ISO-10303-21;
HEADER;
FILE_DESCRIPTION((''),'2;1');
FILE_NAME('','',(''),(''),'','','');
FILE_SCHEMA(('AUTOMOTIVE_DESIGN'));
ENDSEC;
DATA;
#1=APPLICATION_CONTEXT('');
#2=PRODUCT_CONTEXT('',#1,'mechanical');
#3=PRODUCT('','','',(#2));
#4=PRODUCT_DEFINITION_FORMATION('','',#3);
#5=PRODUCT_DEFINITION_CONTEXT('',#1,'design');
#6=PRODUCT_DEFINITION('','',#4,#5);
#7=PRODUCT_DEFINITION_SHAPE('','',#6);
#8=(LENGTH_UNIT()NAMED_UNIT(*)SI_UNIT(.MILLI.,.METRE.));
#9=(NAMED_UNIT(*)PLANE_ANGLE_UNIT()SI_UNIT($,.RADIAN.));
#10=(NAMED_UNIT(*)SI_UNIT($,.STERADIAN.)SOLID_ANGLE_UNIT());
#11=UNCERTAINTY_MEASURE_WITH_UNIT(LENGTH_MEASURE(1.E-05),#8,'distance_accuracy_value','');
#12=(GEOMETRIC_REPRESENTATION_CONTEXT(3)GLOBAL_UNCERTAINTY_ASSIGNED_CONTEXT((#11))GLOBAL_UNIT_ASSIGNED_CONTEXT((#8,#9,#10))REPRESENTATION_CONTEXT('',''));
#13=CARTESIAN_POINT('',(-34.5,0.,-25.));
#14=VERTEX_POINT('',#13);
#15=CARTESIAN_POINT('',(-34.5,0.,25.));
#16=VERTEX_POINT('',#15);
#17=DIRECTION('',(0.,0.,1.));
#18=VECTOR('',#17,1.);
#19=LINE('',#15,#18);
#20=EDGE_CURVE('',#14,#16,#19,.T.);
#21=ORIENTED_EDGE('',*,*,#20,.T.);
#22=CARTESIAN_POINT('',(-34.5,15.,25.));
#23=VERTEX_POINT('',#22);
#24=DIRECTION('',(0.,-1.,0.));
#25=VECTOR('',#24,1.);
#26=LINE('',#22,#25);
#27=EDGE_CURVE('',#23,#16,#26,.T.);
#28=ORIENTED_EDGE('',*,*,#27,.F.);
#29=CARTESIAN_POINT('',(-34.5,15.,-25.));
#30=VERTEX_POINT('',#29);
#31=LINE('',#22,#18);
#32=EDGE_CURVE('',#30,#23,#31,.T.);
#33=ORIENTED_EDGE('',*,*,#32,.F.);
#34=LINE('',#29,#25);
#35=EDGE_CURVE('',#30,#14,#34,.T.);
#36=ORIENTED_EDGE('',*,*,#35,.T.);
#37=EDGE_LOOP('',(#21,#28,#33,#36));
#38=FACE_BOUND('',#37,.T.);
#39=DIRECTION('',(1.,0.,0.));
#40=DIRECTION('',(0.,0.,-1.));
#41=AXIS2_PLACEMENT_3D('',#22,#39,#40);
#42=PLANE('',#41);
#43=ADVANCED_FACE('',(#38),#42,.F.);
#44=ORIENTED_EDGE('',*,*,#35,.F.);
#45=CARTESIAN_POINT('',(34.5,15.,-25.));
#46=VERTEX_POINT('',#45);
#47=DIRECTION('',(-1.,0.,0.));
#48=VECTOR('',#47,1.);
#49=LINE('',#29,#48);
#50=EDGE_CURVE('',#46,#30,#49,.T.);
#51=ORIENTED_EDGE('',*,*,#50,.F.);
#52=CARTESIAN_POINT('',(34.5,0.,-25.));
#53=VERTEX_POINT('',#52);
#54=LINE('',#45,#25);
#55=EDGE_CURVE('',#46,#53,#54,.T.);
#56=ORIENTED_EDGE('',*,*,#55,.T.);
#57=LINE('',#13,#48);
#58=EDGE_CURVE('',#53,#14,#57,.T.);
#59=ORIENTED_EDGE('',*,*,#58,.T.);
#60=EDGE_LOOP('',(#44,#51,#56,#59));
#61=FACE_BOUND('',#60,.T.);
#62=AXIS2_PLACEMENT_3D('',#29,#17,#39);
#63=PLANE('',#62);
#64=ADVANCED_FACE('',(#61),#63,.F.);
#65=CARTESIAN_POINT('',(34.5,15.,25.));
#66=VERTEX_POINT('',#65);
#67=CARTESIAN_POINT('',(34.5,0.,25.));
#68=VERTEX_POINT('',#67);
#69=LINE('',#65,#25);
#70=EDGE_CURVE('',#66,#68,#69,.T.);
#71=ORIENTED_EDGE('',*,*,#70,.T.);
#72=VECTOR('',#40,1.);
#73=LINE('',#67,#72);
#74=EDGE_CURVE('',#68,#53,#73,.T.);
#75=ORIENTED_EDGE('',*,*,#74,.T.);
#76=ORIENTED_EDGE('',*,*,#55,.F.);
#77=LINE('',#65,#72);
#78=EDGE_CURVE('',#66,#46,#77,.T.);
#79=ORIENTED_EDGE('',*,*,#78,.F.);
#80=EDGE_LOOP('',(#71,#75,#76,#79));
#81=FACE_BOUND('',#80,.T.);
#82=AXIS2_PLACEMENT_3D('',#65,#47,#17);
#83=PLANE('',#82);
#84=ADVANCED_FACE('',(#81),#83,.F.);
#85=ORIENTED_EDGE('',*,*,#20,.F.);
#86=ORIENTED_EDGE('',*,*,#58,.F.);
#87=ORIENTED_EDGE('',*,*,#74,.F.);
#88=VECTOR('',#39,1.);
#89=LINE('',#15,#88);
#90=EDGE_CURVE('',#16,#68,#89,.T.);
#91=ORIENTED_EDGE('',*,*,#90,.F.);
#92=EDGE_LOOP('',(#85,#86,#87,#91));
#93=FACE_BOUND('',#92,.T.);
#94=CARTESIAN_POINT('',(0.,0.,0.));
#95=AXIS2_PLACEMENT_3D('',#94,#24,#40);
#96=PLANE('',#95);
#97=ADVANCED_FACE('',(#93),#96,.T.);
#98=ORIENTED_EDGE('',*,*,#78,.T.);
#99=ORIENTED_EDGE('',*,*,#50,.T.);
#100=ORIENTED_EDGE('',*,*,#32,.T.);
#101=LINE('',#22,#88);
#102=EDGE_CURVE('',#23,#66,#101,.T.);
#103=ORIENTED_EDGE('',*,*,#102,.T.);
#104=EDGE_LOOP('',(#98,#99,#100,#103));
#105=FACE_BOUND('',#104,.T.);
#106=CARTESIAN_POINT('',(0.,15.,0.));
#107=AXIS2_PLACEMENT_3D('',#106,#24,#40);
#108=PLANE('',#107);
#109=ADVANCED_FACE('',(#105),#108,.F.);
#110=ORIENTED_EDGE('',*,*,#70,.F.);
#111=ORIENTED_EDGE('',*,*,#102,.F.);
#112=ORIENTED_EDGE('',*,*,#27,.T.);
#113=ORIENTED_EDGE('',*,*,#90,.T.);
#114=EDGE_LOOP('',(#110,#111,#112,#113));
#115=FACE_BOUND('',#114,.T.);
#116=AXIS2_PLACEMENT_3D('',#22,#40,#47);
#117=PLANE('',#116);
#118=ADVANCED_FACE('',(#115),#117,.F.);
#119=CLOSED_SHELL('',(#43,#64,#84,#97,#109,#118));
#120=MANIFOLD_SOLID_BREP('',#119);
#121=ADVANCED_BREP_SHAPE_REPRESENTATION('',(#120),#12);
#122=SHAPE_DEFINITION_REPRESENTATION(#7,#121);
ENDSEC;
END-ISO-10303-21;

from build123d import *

# Parameters (mm, degrees)
SKETCH_1_W      = 69
SKETCH_1_H      = 50
EXTRUDE_1_DEPTH = 15


with BuildPart() as part:
    # 草图1 → 凸台-拉伸1 (new body)
    with BuildSketch(Plane(origin=(0, 0, 0), x_dir=(1, 0, 0), z_dir=(0, 1, 0))):
        Rectangle(SKETCH_1_W, SKETCH_1_H)
    extrude(amount=EXTRUDE_1_DEPTH)


solid = part.part
